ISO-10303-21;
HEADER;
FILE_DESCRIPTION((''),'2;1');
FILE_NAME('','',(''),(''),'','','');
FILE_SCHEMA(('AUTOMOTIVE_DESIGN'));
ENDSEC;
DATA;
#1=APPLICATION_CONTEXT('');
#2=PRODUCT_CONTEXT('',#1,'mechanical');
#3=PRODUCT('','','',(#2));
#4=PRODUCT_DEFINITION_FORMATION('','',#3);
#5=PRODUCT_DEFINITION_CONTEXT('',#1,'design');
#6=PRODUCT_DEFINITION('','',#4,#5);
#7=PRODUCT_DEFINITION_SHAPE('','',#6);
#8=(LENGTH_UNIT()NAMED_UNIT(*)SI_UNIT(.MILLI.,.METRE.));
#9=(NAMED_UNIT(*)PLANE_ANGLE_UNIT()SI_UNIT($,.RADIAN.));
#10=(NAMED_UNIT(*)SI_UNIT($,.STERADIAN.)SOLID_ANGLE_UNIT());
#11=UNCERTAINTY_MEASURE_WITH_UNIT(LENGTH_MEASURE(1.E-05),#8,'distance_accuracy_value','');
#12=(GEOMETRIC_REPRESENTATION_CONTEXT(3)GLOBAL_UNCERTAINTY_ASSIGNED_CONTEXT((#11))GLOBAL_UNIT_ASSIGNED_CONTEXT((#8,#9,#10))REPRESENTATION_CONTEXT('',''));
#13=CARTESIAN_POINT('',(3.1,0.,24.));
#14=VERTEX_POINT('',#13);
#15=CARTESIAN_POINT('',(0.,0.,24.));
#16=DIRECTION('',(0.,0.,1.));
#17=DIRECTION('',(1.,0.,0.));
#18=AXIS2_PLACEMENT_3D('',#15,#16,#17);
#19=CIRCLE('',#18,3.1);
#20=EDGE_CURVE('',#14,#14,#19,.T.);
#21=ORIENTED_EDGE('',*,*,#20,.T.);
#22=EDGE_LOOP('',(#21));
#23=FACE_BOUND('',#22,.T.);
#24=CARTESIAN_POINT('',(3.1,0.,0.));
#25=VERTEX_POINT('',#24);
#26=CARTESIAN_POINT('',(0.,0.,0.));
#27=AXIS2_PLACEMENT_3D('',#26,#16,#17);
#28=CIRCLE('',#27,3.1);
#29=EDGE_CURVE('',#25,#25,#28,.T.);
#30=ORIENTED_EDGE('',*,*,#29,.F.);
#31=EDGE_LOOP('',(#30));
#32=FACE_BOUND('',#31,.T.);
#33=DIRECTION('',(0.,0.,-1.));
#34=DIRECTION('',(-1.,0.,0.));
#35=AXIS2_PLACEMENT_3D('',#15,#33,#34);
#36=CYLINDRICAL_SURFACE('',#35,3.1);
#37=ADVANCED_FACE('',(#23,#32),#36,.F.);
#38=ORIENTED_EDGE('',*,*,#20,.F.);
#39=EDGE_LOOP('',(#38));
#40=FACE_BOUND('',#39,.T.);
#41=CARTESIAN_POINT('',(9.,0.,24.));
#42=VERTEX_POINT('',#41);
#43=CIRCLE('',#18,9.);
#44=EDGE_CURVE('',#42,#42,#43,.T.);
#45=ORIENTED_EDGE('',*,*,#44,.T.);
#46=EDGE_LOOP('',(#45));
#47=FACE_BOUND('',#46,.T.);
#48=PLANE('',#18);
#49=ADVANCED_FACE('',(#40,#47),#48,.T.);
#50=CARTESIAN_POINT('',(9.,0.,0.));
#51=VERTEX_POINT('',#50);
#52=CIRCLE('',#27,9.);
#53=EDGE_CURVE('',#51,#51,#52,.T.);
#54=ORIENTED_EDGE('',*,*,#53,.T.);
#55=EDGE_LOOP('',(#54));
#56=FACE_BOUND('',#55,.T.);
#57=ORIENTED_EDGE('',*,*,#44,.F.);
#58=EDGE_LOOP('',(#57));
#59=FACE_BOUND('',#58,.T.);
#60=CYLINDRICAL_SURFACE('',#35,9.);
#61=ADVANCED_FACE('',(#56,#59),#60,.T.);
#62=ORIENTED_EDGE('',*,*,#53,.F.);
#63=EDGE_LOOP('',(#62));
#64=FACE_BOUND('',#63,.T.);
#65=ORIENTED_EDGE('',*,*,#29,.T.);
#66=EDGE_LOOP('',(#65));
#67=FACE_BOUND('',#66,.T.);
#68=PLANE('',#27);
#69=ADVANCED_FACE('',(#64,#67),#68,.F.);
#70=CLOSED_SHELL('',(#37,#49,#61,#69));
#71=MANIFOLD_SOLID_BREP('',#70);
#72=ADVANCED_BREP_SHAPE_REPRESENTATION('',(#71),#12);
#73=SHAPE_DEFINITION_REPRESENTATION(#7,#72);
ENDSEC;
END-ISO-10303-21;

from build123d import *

# Parameters (mm, degrees)
SKETCH1_R           = 9
SKETCH1_R_2         = 3.1
BOSS_EXTRUDE1_DEPTH = 24


with BuildPart() as part:
    # Sketch1 → Boss-Extrude1 (new body)
    with BuildSketch(Plane.XY):
        Circle(SKETCH1_R)
        Circle(SKETCH1_R_2, mode=Mode.SUBTRACT)
    extrude(amount=BOSS_EXTRUDE1_DEPTH)


solid = part.part
